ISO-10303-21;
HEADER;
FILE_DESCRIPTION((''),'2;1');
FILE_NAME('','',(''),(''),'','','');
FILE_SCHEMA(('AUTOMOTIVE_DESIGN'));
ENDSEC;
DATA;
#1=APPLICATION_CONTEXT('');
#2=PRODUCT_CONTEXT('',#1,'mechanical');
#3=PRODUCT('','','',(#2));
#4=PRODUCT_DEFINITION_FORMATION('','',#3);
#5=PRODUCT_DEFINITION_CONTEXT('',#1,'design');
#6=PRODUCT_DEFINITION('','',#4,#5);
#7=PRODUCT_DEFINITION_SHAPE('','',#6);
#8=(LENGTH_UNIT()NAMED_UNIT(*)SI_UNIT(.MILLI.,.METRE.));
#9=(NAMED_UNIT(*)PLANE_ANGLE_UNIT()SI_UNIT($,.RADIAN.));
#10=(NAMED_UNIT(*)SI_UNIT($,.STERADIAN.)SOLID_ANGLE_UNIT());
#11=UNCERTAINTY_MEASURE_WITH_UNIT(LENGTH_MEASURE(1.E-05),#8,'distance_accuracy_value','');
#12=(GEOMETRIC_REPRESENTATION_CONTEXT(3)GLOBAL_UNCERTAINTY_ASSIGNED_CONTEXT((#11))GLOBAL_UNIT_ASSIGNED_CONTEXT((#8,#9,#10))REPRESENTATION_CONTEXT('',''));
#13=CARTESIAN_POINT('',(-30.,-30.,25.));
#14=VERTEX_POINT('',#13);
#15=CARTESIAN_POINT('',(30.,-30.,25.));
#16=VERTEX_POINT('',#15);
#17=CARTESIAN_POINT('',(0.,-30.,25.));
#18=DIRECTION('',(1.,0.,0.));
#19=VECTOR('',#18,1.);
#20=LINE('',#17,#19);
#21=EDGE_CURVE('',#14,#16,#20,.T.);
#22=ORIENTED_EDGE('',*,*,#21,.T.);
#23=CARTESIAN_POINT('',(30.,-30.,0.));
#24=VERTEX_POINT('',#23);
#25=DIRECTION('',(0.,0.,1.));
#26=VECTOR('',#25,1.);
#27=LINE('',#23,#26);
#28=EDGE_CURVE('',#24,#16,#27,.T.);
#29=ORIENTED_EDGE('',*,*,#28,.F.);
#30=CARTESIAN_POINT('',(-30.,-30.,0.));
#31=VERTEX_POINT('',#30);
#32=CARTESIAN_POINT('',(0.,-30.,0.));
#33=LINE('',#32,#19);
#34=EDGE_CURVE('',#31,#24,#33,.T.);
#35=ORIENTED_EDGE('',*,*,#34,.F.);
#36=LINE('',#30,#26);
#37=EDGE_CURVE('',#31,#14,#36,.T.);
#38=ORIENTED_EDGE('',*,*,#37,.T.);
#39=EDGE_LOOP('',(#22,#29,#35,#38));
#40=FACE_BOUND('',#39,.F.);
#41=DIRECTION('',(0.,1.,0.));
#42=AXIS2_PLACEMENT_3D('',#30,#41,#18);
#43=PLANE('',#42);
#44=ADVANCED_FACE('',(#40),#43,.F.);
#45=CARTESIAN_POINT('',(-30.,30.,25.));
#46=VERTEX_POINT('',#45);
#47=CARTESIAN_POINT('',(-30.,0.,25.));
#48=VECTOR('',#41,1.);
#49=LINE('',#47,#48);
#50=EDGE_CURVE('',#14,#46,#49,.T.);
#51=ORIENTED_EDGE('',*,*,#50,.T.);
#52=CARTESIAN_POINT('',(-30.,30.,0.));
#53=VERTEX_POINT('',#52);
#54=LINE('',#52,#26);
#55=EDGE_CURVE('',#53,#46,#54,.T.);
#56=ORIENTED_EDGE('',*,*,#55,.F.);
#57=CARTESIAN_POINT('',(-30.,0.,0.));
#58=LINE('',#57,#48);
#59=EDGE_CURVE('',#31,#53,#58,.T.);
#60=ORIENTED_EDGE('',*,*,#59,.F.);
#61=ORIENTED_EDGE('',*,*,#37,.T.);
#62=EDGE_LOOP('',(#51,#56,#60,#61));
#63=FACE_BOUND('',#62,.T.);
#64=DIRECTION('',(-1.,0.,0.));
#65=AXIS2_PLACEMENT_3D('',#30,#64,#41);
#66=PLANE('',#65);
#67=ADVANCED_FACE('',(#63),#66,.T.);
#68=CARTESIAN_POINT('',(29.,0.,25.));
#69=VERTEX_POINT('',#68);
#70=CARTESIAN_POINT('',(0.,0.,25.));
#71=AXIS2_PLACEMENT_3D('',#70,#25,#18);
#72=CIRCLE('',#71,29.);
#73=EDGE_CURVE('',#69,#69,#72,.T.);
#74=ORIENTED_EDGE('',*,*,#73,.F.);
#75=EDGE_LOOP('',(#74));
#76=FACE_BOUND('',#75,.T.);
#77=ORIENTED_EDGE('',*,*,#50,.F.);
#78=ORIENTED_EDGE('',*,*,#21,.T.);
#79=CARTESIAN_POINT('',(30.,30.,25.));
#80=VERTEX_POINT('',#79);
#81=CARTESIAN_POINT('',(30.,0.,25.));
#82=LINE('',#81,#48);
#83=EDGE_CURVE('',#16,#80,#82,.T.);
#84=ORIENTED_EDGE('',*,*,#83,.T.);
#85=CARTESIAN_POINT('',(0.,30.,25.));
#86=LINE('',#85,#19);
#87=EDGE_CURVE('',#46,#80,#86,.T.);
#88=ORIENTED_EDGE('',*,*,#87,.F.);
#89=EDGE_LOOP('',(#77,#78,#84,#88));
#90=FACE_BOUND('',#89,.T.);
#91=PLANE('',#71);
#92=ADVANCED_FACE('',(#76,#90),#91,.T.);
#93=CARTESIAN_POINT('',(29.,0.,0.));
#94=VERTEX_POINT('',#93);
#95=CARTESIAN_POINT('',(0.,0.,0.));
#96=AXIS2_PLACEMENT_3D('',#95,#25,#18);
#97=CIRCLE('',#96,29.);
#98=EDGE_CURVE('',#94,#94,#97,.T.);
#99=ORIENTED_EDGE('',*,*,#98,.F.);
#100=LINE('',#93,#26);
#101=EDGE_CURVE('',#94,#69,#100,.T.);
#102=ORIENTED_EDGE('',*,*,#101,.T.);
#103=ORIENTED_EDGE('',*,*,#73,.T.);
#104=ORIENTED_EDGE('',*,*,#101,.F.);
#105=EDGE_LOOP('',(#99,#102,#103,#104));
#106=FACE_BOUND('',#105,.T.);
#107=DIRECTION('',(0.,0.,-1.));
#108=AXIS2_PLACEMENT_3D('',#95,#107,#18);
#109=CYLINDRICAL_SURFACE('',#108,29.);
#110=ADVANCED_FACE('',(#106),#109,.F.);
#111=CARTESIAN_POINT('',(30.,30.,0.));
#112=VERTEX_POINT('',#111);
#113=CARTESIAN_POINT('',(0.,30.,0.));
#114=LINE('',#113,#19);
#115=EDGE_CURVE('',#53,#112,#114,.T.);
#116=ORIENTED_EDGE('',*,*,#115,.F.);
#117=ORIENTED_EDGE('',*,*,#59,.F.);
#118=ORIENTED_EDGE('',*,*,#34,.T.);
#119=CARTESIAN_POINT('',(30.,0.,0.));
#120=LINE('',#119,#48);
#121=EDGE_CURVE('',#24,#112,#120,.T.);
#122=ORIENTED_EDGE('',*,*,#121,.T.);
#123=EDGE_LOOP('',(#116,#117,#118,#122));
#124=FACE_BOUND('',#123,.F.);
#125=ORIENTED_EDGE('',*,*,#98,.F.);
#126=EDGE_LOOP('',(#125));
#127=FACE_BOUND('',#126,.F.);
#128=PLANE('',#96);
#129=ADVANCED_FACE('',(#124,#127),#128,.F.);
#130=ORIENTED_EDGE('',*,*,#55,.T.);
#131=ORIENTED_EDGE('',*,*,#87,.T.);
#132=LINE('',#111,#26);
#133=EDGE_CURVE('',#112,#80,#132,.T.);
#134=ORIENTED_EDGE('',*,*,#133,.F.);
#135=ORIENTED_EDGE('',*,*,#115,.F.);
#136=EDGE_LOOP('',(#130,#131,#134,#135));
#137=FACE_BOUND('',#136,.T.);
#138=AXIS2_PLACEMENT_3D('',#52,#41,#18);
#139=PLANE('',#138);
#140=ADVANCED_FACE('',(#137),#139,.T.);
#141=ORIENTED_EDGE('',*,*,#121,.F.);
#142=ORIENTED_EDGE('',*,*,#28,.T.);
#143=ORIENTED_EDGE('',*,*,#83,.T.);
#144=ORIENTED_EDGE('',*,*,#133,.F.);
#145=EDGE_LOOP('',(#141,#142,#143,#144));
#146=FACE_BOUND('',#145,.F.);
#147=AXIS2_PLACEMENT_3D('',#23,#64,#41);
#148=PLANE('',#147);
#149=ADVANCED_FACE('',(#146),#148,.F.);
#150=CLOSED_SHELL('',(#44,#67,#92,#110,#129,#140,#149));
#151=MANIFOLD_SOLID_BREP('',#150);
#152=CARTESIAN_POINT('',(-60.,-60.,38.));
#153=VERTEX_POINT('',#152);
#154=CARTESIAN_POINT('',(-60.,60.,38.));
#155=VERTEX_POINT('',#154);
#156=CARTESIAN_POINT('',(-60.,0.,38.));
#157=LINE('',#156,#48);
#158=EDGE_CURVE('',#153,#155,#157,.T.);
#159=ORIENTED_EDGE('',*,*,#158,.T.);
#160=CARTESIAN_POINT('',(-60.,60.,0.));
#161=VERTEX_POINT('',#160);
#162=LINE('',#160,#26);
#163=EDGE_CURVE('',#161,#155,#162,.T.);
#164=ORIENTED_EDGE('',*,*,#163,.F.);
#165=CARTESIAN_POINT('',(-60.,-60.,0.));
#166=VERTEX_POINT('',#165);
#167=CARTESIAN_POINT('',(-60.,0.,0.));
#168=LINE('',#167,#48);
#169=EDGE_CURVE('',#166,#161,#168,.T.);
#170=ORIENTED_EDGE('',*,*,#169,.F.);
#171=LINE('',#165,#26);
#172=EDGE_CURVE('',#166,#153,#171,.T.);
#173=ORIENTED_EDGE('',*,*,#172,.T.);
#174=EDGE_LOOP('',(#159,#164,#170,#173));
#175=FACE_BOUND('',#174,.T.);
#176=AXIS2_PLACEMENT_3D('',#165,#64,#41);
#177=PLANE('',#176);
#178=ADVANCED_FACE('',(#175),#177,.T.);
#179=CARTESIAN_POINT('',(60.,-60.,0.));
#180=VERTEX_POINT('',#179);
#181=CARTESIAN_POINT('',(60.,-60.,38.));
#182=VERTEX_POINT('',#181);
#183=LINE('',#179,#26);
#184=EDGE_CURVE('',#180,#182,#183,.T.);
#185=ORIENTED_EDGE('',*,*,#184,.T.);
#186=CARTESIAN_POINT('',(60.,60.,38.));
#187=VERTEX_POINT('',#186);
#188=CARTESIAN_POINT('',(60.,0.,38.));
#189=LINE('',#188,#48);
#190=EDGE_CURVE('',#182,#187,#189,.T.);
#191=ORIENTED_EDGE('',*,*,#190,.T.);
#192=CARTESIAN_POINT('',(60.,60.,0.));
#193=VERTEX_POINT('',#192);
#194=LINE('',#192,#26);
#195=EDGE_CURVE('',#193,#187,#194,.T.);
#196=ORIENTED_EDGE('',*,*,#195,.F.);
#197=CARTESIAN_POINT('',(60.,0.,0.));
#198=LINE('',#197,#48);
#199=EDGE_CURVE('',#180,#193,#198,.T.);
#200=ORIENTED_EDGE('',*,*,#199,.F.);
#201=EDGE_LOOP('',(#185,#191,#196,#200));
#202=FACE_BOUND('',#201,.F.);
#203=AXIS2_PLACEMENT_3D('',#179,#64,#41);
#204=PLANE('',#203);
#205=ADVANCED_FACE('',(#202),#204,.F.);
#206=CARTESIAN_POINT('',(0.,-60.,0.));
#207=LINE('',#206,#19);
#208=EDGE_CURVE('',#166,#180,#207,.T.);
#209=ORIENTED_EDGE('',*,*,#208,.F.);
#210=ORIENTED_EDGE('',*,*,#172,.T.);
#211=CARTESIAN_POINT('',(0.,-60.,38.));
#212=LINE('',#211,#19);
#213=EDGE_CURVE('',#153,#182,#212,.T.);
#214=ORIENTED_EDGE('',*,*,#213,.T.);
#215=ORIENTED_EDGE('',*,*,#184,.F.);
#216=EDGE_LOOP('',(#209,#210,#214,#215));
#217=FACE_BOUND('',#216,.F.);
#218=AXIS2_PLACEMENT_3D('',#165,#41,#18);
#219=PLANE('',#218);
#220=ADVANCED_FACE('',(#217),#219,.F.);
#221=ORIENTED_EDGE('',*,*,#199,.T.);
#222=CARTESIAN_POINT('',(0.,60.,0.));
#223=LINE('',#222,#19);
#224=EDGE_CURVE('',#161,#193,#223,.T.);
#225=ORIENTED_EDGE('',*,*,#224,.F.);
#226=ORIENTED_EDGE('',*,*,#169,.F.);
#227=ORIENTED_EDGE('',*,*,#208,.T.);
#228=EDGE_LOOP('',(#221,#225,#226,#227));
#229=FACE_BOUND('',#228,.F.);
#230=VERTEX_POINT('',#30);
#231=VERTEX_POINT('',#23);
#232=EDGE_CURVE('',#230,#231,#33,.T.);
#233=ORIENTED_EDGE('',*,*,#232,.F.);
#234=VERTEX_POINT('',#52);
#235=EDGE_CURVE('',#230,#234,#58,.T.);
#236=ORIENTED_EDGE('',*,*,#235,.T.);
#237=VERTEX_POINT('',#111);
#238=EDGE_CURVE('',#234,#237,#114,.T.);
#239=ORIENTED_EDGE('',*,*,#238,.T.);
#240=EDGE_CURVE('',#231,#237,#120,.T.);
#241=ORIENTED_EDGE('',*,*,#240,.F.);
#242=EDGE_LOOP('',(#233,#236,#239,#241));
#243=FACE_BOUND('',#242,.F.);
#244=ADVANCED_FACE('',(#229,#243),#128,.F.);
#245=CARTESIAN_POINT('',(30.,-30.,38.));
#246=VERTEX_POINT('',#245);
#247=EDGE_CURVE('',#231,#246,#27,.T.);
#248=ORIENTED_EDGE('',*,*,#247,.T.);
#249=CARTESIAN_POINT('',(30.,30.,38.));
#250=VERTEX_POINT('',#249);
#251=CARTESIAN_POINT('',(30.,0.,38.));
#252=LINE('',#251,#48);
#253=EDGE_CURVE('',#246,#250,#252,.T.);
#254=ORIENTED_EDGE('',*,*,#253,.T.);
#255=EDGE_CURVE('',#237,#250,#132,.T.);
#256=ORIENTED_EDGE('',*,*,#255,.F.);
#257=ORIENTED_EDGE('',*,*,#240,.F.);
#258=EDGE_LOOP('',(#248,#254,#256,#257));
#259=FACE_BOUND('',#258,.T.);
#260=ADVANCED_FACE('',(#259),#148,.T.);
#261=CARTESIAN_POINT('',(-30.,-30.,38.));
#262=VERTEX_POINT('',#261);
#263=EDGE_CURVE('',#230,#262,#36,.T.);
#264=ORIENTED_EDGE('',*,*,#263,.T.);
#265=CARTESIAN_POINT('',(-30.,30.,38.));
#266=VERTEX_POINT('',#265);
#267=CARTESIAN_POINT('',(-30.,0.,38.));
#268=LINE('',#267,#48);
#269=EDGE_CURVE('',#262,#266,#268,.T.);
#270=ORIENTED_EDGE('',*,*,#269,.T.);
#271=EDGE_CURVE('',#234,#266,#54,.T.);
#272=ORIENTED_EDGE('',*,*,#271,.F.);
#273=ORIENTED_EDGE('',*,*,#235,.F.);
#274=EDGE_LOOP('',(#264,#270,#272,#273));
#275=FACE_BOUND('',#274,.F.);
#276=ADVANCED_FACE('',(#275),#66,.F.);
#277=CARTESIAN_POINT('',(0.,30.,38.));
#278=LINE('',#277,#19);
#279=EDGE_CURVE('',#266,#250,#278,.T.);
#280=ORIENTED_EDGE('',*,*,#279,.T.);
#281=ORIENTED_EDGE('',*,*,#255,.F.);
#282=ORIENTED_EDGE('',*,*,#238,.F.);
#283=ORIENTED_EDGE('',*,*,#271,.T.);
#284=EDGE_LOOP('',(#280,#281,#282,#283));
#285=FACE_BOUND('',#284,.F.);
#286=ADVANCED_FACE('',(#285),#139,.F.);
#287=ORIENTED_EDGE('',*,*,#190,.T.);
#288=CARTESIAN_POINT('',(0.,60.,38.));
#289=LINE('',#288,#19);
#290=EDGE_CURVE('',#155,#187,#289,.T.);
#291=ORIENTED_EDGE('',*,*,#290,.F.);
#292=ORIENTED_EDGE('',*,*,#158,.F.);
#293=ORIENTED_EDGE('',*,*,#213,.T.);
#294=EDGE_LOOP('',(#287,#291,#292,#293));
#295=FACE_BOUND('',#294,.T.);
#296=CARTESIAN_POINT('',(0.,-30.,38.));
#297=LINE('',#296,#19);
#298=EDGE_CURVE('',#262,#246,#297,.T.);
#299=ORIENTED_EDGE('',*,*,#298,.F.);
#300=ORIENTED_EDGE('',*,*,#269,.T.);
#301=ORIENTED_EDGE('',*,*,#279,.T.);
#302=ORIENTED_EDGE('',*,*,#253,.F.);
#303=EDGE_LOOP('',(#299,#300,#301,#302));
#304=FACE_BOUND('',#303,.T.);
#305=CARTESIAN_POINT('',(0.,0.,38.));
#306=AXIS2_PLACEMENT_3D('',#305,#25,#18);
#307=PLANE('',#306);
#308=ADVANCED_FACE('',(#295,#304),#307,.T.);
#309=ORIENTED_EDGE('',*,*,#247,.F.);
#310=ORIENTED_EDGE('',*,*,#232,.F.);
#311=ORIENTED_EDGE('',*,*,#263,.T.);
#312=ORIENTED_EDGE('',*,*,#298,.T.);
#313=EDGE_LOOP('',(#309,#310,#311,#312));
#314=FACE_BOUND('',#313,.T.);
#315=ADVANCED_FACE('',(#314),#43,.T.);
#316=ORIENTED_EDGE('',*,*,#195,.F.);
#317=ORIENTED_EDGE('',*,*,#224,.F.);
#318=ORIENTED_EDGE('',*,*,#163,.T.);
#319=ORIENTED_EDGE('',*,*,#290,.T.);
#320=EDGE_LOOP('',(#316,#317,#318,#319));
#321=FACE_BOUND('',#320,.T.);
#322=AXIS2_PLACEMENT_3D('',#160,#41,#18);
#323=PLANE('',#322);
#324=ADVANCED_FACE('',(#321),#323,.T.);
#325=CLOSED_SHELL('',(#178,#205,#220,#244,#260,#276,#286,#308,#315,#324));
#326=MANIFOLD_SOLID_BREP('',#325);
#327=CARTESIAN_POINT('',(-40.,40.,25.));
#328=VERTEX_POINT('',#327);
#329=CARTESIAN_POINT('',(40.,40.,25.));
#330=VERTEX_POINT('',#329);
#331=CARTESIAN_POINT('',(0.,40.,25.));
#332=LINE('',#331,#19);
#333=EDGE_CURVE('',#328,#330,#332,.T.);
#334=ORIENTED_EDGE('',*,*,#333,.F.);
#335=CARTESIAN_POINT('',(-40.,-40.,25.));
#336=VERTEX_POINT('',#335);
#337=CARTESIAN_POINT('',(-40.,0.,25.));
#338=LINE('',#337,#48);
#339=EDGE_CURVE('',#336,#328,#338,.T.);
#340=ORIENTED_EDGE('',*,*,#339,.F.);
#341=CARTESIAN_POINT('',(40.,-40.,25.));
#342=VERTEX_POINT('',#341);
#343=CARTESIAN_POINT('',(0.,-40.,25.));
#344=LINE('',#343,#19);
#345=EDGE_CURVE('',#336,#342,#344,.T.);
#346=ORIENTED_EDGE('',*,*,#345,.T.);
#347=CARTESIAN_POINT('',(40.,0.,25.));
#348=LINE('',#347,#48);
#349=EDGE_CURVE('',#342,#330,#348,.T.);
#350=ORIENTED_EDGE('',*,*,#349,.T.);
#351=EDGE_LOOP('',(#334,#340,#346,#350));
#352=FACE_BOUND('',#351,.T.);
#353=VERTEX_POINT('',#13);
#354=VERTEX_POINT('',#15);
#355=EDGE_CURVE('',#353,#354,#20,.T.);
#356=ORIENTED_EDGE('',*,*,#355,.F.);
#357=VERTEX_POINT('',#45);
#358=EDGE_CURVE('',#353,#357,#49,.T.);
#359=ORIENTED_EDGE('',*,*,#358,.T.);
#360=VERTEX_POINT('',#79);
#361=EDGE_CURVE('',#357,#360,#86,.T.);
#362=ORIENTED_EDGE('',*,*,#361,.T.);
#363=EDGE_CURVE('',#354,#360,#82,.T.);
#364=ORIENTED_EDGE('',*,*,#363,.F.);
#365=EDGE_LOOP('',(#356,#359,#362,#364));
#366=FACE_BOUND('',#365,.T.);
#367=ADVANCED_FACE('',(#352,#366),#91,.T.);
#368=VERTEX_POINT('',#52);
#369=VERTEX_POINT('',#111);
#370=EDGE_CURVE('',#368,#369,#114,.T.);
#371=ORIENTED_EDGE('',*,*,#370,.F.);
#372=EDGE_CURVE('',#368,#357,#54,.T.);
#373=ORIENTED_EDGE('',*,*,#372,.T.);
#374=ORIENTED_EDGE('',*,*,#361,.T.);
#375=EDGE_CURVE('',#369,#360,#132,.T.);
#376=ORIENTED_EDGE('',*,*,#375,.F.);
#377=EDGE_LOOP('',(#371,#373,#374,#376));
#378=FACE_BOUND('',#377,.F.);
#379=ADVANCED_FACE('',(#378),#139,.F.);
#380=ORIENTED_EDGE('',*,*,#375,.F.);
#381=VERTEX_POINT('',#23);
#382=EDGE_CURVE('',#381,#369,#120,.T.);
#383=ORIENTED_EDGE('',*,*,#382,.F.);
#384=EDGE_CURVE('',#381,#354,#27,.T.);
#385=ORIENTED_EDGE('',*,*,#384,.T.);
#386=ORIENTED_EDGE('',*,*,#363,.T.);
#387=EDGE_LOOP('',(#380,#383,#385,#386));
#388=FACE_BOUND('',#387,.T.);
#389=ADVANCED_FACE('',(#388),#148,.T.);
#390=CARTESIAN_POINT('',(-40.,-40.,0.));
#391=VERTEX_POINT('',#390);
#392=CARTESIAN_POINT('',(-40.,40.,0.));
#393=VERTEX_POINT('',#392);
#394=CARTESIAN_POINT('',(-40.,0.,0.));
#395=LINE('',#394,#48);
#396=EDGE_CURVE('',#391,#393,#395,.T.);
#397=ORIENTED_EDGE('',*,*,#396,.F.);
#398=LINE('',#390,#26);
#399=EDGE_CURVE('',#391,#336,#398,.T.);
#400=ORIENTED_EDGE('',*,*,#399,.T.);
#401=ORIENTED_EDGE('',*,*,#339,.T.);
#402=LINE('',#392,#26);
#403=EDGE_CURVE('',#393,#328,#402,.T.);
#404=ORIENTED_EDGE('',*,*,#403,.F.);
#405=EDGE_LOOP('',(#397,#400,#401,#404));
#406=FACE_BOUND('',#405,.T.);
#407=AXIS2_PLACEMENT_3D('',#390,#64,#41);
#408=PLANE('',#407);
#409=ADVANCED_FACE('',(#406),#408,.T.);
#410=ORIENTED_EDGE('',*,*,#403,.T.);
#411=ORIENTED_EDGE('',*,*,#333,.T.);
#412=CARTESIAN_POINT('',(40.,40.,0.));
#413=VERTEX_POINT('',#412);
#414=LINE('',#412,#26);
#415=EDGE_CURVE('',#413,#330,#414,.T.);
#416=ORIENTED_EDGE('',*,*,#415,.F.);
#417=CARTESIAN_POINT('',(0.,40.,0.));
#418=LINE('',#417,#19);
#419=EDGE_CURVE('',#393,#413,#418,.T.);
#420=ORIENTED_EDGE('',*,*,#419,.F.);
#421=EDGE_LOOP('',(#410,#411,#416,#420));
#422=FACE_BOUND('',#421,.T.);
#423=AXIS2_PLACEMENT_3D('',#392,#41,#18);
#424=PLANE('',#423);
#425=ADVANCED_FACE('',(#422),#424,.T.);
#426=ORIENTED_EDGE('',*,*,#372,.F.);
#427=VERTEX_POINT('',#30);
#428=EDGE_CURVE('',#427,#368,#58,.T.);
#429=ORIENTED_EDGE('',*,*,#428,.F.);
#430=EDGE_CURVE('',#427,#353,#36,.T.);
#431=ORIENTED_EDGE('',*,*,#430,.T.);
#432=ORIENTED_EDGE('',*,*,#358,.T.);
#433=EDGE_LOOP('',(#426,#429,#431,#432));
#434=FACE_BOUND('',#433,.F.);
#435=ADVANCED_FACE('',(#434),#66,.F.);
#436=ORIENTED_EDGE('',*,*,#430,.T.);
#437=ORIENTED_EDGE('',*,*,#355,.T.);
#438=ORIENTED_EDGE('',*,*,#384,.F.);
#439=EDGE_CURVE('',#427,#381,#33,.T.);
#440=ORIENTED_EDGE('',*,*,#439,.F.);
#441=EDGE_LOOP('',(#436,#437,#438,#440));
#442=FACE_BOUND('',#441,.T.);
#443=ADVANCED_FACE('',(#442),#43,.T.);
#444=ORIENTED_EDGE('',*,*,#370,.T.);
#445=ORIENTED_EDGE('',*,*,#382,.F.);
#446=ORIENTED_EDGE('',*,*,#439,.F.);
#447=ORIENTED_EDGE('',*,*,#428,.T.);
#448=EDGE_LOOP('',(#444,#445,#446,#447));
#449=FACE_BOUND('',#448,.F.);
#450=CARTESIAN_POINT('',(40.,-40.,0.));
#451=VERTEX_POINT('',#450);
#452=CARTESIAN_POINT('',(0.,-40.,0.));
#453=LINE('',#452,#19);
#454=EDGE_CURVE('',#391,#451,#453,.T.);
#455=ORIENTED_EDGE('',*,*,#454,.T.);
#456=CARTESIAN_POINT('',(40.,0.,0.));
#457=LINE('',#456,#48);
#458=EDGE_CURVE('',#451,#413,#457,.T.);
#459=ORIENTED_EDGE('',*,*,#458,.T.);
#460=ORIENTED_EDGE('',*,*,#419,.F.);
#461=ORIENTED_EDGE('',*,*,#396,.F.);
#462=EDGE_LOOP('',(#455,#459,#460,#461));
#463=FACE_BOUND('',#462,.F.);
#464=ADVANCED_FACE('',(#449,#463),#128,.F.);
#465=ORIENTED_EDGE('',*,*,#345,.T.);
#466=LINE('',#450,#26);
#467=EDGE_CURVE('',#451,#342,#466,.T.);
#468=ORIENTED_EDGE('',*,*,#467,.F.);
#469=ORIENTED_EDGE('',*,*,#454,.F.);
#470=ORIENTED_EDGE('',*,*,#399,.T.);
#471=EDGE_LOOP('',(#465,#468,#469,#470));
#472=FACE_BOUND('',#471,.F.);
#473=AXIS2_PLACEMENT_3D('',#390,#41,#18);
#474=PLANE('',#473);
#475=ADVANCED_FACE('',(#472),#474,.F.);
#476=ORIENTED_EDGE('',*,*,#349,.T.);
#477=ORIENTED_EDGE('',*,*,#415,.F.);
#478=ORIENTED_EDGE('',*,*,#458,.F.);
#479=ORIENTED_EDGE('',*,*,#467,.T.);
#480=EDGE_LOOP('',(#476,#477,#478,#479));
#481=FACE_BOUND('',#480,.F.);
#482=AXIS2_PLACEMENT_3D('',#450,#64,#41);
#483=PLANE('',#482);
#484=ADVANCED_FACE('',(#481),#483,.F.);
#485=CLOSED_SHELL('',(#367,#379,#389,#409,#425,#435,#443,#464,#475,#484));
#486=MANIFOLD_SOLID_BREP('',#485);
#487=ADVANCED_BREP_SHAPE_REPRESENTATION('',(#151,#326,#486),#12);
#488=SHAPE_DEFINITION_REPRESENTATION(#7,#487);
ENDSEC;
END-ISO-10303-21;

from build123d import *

# Parameters (mm, degrees)
F0_W     = 120
F0_H     = 120
F0_W_2   = 80
F0_H_2   = 80
F0_W_3   = 60
F0_H_3   = 60
F1_DEPTH = 38
F2_DEPTH = 25
F0_R     = 29
F3_DEPTH = 25


with BuildPart() as f1:
    # F0 (on Top) → F1 (new body)
    with BuildSketch(Plane.XY):
        Rectangle(F0_W, F0_H)
        Rectangle(F0_W_2, F0_H_2, mode=Mode.SUBTRACT)
        Rectangle(F0_W_2, F0_H_2)
        Rectangle(F0_W_3, F0_H_3, mode=Mode.SUBTRACT)
    extrude(amount=F1_DEPTH)


with BuildPart() as f2:
    # F0 (on Top) → F2 (new body)
    with BuildSketch(Plane.XY):
        Rectangle(F0_W_2, F0_H_2)
        Rectangle(F0_W_3, F0_H_3, mode=Mode.SUBTRACT)
    extrude(amount=F2_DEPTH)


with BuildPart() as f3:
    # F0 (on Top) → F3 (new body)
    with BuildSketch(Plane.XY):
        Rectangle(F0_W_3, F0_H_3)
        Circle(F0_R, mode=Mode.SUBTRACT)
    extrude(amount=F3_DEPTH)


solid = Compound([f1.part, f2.part, f3.part])
